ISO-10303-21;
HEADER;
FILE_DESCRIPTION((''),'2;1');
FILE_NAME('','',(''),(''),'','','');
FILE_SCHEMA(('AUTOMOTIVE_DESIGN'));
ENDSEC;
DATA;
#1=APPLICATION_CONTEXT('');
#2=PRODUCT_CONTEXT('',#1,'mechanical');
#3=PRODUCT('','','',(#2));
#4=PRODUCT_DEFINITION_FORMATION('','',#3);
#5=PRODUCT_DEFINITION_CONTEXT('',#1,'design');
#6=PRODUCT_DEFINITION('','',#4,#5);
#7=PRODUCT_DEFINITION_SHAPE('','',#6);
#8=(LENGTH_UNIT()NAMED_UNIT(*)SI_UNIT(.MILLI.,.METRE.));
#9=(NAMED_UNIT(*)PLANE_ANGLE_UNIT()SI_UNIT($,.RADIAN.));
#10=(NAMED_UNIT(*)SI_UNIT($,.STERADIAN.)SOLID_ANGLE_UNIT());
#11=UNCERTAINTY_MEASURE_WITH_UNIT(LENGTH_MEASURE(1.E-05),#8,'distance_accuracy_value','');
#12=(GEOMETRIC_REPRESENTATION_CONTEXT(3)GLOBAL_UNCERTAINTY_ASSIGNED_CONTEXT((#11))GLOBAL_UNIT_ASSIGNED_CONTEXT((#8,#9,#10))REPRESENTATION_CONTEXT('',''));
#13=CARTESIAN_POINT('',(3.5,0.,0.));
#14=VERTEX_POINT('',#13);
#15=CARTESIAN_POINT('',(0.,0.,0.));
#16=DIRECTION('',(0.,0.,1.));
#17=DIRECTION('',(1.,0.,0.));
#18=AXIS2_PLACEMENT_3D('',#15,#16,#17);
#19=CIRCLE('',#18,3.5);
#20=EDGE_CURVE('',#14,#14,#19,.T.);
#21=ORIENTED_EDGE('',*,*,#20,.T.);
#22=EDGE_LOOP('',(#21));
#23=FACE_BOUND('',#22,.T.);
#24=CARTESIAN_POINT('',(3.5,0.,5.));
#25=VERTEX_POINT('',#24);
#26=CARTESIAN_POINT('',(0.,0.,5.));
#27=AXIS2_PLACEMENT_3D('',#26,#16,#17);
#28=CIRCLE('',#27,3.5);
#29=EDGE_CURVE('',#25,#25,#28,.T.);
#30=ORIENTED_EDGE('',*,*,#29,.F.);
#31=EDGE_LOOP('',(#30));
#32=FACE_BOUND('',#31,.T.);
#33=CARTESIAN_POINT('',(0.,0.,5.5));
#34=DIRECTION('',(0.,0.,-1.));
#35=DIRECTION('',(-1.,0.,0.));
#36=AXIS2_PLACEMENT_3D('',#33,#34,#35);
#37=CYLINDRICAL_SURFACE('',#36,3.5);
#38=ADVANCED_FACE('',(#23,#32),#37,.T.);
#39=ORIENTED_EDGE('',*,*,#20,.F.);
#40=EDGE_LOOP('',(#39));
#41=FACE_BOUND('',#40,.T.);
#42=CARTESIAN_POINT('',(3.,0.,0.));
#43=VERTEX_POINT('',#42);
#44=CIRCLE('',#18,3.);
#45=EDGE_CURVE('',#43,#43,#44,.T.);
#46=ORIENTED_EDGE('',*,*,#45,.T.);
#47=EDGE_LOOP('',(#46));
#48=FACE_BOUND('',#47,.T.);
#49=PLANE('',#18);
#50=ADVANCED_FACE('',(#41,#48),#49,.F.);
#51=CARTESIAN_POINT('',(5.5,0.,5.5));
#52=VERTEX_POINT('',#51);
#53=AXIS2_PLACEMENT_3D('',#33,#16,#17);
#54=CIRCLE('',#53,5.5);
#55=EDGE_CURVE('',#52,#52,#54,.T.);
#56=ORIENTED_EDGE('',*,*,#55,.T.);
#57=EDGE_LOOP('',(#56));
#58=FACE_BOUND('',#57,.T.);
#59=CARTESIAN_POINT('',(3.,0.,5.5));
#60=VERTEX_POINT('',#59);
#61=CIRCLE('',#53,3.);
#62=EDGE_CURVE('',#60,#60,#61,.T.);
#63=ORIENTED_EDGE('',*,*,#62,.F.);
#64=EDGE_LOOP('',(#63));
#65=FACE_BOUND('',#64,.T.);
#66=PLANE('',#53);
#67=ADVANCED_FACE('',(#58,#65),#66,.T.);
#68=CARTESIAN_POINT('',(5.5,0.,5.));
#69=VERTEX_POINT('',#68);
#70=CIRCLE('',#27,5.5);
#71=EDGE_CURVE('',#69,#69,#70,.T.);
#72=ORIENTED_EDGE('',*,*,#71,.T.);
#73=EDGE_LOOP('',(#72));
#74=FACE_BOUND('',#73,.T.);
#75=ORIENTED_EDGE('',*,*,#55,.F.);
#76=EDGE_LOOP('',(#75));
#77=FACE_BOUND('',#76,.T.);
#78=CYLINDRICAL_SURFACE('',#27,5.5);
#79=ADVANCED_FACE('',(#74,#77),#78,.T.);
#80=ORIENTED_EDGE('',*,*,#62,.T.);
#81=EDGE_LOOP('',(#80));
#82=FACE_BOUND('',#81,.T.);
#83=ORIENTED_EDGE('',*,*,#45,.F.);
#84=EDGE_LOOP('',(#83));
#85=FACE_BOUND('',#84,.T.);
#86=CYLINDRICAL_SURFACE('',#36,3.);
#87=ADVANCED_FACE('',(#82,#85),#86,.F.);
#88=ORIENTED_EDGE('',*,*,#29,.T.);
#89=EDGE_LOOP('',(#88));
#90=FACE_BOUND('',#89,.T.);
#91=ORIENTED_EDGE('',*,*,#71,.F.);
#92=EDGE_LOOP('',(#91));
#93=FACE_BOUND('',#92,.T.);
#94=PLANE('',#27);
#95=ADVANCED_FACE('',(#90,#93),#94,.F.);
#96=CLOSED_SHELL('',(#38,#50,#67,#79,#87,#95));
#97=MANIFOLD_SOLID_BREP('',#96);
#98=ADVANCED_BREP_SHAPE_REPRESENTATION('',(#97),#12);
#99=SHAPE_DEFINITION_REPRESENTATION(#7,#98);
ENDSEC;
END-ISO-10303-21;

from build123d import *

# Parameters (mm, degrees)
SZKIC1_R                    = 3.5
SZKIC1_R_2                  = 3
DODANIE_WYCI_GNI_CIE1_DEPTH = 5.5
DODANIE_WYCI_GNI_CIE2_START = -0.5
SZKIC2_R                    = 5.5
SZKIC2_R_2                  = 3
DODANIE_WYCI_GNI_CIE2_DEPTH = 0.5


with BuildPart() as part:
    # Szkic1 → Dodanie-wyciągnięcie1 (new body)
    with BuildSketch(Plane.XY):
        Circle(SZKIC1_R)
        Circle(SZKIC1_R_2, mode=Mode.SUBTRACT)
    extrude(amount=DODANIE_WYCI_GNI_CIE1_DEPTH)

    # Szkic2 → Dodanie-wyciągnięcie2 (add)
    with BuildSketch(Plane.XY.offset(5.5).offset(DODANIE_WYCI_GNI_CIE2_START)):
        Circle(SZKIC2_R)
        Circle(SZKIC2_R_2, mode=Mode.SUBTRACT)
    extrude(amount=DODANIE_WYCI_GNI_CIE2_DEPTH)


solid = part.part
